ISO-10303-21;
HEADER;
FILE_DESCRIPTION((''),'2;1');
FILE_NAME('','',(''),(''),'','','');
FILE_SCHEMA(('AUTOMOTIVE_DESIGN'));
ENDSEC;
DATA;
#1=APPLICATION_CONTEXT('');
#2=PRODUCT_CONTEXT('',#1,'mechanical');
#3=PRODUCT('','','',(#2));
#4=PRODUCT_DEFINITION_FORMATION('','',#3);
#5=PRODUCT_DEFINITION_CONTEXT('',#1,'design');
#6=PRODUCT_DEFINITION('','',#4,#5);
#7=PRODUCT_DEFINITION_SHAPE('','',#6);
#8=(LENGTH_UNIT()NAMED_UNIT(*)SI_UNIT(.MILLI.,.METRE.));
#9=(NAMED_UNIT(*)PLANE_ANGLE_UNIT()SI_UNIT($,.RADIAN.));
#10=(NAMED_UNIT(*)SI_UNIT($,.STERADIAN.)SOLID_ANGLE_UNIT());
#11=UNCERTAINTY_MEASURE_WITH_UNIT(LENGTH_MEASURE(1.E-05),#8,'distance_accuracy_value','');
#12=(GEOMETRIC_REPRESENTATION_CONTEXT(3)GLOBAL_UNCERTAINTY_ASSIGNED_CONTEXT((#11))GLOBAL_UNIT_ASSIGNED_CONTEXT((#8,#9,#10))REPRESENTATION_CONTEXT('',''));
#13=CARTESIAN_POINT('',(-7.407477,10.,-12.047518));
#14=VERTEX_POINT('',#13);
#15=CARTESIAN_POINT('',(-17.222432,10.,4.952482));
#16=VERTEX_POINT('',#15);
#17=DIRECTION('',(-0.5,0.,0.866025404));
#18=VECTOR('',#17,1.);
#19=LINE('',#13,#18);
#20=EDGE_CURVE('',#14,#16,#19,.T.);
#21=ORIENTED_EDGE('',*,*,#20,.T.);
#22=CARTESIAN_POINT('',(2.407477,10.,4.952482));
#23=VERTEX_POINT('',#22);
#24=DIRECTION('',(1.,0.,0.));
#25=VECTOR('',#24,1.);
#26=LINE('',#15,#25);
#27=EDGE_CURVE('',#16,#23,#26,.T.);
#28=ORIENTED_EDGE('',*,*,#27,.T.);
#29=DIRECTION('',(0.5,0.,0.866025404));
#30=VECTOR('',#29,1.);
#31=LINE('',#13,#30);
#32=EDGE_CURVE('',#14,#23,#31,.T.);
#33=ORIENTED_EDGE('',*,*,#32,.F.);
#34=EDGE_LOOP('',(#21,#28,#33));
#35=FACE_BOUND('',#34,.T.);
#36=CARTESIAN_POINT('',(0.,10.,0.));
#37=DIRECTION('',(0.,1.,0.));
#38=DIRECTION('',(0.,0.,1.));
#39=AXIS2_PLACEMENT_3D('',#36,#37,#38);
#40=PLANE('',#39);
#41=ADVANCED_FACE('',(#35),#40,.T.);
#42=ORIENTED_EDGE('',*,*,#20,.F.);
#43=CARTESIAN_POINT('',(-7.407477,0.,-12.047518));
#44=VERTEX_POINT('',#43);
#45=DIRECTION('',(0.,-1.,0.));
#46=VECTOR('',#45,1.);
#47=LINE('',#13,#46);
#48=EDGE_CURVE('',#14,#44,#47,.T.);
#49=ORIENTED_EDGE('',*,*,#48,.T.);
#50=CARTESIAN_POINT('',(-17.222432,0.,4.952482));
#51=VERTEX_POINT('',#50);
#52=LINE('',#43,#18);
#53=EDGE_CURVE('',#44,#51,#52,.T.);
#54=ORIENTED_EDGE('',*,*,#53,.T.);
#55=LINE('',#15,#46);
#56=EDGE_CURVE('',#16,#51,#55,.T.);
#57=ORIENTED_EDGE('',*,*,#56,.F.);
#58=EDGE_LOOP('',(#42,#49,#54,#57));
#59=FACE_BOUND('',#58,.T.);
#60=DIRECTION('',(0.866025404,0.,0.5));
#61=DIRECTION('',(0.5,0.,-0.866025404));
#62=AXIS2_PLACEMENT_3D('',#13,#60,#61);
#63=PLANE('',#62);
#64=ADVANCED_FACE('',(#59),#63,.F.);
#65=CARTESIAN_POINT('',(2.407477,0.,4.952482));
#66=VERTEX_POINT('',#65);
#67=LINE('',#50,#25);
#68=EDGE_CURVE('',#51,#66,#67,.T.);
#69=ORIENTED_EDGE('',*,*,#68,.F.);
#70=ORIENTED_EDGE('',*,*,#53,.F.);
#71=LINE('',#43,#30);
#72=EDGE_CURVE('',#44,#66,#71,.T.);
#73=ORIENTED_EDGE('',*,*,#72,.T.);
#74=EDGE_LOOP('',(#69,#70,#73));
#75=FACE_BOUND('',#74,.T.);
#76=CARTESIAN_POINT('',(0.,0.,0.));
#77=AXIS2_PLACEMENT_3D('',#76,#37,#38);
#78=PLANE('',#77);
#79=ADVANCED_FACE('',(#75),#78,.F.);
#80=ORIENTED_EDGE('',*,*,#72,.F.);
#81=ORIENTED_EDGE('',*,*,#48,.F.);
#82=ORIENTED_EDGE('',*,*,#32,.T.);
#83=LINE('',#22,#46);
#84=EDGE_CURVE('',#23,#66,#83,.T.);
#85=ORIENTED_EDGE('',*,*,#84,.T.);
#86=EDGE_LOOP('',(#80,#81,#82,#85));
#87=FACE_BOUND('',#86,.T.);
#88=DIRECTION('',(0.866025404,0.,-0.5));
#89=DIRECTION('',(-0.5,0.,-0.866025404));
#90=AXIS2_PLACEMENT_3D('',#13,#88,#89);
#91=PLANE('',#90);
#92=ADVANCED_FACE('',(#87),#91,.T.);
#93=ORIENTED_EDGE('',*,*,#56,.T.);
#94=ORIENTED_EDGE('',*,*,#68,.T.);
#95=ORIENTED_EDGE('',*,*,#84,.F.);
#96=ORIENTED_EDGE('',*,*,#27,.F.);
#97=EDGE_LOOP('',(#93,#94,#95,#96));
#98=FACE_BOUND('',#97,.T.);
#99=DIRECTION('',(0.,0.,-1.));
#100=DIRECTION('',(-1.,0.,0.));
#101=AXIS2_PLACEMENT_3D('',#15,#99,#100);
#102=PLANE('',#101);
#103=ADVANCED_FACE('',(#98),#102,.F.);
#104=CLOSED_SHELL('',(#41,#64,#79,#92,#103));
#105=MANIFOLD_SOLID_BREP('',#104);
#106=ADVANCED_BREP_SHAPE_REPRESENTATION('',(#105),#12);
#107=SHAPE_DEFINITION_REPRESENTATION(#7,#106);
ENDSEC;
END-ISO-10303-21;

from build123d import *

# Parameters (mm, degrees)
BOSS_EXTRUDE1_DEPTH = 10


with BuildPart() as part:
    # Sketch1 → Boss-Extrude1 (new body)
    with BuildSketch(Plane(origin=(0, 0, 0), x_dir=(1, 0, 0), z_dir=(0, 1, 0))):
        Polygon((-7.407477288, 12.047518323), (-17.222431864, -4.952481677), (2.407477288, -4.952481677), align=None)
    extrude(amount=BOSS_EXTRUDE1_DEPTH)


solid = part.part
